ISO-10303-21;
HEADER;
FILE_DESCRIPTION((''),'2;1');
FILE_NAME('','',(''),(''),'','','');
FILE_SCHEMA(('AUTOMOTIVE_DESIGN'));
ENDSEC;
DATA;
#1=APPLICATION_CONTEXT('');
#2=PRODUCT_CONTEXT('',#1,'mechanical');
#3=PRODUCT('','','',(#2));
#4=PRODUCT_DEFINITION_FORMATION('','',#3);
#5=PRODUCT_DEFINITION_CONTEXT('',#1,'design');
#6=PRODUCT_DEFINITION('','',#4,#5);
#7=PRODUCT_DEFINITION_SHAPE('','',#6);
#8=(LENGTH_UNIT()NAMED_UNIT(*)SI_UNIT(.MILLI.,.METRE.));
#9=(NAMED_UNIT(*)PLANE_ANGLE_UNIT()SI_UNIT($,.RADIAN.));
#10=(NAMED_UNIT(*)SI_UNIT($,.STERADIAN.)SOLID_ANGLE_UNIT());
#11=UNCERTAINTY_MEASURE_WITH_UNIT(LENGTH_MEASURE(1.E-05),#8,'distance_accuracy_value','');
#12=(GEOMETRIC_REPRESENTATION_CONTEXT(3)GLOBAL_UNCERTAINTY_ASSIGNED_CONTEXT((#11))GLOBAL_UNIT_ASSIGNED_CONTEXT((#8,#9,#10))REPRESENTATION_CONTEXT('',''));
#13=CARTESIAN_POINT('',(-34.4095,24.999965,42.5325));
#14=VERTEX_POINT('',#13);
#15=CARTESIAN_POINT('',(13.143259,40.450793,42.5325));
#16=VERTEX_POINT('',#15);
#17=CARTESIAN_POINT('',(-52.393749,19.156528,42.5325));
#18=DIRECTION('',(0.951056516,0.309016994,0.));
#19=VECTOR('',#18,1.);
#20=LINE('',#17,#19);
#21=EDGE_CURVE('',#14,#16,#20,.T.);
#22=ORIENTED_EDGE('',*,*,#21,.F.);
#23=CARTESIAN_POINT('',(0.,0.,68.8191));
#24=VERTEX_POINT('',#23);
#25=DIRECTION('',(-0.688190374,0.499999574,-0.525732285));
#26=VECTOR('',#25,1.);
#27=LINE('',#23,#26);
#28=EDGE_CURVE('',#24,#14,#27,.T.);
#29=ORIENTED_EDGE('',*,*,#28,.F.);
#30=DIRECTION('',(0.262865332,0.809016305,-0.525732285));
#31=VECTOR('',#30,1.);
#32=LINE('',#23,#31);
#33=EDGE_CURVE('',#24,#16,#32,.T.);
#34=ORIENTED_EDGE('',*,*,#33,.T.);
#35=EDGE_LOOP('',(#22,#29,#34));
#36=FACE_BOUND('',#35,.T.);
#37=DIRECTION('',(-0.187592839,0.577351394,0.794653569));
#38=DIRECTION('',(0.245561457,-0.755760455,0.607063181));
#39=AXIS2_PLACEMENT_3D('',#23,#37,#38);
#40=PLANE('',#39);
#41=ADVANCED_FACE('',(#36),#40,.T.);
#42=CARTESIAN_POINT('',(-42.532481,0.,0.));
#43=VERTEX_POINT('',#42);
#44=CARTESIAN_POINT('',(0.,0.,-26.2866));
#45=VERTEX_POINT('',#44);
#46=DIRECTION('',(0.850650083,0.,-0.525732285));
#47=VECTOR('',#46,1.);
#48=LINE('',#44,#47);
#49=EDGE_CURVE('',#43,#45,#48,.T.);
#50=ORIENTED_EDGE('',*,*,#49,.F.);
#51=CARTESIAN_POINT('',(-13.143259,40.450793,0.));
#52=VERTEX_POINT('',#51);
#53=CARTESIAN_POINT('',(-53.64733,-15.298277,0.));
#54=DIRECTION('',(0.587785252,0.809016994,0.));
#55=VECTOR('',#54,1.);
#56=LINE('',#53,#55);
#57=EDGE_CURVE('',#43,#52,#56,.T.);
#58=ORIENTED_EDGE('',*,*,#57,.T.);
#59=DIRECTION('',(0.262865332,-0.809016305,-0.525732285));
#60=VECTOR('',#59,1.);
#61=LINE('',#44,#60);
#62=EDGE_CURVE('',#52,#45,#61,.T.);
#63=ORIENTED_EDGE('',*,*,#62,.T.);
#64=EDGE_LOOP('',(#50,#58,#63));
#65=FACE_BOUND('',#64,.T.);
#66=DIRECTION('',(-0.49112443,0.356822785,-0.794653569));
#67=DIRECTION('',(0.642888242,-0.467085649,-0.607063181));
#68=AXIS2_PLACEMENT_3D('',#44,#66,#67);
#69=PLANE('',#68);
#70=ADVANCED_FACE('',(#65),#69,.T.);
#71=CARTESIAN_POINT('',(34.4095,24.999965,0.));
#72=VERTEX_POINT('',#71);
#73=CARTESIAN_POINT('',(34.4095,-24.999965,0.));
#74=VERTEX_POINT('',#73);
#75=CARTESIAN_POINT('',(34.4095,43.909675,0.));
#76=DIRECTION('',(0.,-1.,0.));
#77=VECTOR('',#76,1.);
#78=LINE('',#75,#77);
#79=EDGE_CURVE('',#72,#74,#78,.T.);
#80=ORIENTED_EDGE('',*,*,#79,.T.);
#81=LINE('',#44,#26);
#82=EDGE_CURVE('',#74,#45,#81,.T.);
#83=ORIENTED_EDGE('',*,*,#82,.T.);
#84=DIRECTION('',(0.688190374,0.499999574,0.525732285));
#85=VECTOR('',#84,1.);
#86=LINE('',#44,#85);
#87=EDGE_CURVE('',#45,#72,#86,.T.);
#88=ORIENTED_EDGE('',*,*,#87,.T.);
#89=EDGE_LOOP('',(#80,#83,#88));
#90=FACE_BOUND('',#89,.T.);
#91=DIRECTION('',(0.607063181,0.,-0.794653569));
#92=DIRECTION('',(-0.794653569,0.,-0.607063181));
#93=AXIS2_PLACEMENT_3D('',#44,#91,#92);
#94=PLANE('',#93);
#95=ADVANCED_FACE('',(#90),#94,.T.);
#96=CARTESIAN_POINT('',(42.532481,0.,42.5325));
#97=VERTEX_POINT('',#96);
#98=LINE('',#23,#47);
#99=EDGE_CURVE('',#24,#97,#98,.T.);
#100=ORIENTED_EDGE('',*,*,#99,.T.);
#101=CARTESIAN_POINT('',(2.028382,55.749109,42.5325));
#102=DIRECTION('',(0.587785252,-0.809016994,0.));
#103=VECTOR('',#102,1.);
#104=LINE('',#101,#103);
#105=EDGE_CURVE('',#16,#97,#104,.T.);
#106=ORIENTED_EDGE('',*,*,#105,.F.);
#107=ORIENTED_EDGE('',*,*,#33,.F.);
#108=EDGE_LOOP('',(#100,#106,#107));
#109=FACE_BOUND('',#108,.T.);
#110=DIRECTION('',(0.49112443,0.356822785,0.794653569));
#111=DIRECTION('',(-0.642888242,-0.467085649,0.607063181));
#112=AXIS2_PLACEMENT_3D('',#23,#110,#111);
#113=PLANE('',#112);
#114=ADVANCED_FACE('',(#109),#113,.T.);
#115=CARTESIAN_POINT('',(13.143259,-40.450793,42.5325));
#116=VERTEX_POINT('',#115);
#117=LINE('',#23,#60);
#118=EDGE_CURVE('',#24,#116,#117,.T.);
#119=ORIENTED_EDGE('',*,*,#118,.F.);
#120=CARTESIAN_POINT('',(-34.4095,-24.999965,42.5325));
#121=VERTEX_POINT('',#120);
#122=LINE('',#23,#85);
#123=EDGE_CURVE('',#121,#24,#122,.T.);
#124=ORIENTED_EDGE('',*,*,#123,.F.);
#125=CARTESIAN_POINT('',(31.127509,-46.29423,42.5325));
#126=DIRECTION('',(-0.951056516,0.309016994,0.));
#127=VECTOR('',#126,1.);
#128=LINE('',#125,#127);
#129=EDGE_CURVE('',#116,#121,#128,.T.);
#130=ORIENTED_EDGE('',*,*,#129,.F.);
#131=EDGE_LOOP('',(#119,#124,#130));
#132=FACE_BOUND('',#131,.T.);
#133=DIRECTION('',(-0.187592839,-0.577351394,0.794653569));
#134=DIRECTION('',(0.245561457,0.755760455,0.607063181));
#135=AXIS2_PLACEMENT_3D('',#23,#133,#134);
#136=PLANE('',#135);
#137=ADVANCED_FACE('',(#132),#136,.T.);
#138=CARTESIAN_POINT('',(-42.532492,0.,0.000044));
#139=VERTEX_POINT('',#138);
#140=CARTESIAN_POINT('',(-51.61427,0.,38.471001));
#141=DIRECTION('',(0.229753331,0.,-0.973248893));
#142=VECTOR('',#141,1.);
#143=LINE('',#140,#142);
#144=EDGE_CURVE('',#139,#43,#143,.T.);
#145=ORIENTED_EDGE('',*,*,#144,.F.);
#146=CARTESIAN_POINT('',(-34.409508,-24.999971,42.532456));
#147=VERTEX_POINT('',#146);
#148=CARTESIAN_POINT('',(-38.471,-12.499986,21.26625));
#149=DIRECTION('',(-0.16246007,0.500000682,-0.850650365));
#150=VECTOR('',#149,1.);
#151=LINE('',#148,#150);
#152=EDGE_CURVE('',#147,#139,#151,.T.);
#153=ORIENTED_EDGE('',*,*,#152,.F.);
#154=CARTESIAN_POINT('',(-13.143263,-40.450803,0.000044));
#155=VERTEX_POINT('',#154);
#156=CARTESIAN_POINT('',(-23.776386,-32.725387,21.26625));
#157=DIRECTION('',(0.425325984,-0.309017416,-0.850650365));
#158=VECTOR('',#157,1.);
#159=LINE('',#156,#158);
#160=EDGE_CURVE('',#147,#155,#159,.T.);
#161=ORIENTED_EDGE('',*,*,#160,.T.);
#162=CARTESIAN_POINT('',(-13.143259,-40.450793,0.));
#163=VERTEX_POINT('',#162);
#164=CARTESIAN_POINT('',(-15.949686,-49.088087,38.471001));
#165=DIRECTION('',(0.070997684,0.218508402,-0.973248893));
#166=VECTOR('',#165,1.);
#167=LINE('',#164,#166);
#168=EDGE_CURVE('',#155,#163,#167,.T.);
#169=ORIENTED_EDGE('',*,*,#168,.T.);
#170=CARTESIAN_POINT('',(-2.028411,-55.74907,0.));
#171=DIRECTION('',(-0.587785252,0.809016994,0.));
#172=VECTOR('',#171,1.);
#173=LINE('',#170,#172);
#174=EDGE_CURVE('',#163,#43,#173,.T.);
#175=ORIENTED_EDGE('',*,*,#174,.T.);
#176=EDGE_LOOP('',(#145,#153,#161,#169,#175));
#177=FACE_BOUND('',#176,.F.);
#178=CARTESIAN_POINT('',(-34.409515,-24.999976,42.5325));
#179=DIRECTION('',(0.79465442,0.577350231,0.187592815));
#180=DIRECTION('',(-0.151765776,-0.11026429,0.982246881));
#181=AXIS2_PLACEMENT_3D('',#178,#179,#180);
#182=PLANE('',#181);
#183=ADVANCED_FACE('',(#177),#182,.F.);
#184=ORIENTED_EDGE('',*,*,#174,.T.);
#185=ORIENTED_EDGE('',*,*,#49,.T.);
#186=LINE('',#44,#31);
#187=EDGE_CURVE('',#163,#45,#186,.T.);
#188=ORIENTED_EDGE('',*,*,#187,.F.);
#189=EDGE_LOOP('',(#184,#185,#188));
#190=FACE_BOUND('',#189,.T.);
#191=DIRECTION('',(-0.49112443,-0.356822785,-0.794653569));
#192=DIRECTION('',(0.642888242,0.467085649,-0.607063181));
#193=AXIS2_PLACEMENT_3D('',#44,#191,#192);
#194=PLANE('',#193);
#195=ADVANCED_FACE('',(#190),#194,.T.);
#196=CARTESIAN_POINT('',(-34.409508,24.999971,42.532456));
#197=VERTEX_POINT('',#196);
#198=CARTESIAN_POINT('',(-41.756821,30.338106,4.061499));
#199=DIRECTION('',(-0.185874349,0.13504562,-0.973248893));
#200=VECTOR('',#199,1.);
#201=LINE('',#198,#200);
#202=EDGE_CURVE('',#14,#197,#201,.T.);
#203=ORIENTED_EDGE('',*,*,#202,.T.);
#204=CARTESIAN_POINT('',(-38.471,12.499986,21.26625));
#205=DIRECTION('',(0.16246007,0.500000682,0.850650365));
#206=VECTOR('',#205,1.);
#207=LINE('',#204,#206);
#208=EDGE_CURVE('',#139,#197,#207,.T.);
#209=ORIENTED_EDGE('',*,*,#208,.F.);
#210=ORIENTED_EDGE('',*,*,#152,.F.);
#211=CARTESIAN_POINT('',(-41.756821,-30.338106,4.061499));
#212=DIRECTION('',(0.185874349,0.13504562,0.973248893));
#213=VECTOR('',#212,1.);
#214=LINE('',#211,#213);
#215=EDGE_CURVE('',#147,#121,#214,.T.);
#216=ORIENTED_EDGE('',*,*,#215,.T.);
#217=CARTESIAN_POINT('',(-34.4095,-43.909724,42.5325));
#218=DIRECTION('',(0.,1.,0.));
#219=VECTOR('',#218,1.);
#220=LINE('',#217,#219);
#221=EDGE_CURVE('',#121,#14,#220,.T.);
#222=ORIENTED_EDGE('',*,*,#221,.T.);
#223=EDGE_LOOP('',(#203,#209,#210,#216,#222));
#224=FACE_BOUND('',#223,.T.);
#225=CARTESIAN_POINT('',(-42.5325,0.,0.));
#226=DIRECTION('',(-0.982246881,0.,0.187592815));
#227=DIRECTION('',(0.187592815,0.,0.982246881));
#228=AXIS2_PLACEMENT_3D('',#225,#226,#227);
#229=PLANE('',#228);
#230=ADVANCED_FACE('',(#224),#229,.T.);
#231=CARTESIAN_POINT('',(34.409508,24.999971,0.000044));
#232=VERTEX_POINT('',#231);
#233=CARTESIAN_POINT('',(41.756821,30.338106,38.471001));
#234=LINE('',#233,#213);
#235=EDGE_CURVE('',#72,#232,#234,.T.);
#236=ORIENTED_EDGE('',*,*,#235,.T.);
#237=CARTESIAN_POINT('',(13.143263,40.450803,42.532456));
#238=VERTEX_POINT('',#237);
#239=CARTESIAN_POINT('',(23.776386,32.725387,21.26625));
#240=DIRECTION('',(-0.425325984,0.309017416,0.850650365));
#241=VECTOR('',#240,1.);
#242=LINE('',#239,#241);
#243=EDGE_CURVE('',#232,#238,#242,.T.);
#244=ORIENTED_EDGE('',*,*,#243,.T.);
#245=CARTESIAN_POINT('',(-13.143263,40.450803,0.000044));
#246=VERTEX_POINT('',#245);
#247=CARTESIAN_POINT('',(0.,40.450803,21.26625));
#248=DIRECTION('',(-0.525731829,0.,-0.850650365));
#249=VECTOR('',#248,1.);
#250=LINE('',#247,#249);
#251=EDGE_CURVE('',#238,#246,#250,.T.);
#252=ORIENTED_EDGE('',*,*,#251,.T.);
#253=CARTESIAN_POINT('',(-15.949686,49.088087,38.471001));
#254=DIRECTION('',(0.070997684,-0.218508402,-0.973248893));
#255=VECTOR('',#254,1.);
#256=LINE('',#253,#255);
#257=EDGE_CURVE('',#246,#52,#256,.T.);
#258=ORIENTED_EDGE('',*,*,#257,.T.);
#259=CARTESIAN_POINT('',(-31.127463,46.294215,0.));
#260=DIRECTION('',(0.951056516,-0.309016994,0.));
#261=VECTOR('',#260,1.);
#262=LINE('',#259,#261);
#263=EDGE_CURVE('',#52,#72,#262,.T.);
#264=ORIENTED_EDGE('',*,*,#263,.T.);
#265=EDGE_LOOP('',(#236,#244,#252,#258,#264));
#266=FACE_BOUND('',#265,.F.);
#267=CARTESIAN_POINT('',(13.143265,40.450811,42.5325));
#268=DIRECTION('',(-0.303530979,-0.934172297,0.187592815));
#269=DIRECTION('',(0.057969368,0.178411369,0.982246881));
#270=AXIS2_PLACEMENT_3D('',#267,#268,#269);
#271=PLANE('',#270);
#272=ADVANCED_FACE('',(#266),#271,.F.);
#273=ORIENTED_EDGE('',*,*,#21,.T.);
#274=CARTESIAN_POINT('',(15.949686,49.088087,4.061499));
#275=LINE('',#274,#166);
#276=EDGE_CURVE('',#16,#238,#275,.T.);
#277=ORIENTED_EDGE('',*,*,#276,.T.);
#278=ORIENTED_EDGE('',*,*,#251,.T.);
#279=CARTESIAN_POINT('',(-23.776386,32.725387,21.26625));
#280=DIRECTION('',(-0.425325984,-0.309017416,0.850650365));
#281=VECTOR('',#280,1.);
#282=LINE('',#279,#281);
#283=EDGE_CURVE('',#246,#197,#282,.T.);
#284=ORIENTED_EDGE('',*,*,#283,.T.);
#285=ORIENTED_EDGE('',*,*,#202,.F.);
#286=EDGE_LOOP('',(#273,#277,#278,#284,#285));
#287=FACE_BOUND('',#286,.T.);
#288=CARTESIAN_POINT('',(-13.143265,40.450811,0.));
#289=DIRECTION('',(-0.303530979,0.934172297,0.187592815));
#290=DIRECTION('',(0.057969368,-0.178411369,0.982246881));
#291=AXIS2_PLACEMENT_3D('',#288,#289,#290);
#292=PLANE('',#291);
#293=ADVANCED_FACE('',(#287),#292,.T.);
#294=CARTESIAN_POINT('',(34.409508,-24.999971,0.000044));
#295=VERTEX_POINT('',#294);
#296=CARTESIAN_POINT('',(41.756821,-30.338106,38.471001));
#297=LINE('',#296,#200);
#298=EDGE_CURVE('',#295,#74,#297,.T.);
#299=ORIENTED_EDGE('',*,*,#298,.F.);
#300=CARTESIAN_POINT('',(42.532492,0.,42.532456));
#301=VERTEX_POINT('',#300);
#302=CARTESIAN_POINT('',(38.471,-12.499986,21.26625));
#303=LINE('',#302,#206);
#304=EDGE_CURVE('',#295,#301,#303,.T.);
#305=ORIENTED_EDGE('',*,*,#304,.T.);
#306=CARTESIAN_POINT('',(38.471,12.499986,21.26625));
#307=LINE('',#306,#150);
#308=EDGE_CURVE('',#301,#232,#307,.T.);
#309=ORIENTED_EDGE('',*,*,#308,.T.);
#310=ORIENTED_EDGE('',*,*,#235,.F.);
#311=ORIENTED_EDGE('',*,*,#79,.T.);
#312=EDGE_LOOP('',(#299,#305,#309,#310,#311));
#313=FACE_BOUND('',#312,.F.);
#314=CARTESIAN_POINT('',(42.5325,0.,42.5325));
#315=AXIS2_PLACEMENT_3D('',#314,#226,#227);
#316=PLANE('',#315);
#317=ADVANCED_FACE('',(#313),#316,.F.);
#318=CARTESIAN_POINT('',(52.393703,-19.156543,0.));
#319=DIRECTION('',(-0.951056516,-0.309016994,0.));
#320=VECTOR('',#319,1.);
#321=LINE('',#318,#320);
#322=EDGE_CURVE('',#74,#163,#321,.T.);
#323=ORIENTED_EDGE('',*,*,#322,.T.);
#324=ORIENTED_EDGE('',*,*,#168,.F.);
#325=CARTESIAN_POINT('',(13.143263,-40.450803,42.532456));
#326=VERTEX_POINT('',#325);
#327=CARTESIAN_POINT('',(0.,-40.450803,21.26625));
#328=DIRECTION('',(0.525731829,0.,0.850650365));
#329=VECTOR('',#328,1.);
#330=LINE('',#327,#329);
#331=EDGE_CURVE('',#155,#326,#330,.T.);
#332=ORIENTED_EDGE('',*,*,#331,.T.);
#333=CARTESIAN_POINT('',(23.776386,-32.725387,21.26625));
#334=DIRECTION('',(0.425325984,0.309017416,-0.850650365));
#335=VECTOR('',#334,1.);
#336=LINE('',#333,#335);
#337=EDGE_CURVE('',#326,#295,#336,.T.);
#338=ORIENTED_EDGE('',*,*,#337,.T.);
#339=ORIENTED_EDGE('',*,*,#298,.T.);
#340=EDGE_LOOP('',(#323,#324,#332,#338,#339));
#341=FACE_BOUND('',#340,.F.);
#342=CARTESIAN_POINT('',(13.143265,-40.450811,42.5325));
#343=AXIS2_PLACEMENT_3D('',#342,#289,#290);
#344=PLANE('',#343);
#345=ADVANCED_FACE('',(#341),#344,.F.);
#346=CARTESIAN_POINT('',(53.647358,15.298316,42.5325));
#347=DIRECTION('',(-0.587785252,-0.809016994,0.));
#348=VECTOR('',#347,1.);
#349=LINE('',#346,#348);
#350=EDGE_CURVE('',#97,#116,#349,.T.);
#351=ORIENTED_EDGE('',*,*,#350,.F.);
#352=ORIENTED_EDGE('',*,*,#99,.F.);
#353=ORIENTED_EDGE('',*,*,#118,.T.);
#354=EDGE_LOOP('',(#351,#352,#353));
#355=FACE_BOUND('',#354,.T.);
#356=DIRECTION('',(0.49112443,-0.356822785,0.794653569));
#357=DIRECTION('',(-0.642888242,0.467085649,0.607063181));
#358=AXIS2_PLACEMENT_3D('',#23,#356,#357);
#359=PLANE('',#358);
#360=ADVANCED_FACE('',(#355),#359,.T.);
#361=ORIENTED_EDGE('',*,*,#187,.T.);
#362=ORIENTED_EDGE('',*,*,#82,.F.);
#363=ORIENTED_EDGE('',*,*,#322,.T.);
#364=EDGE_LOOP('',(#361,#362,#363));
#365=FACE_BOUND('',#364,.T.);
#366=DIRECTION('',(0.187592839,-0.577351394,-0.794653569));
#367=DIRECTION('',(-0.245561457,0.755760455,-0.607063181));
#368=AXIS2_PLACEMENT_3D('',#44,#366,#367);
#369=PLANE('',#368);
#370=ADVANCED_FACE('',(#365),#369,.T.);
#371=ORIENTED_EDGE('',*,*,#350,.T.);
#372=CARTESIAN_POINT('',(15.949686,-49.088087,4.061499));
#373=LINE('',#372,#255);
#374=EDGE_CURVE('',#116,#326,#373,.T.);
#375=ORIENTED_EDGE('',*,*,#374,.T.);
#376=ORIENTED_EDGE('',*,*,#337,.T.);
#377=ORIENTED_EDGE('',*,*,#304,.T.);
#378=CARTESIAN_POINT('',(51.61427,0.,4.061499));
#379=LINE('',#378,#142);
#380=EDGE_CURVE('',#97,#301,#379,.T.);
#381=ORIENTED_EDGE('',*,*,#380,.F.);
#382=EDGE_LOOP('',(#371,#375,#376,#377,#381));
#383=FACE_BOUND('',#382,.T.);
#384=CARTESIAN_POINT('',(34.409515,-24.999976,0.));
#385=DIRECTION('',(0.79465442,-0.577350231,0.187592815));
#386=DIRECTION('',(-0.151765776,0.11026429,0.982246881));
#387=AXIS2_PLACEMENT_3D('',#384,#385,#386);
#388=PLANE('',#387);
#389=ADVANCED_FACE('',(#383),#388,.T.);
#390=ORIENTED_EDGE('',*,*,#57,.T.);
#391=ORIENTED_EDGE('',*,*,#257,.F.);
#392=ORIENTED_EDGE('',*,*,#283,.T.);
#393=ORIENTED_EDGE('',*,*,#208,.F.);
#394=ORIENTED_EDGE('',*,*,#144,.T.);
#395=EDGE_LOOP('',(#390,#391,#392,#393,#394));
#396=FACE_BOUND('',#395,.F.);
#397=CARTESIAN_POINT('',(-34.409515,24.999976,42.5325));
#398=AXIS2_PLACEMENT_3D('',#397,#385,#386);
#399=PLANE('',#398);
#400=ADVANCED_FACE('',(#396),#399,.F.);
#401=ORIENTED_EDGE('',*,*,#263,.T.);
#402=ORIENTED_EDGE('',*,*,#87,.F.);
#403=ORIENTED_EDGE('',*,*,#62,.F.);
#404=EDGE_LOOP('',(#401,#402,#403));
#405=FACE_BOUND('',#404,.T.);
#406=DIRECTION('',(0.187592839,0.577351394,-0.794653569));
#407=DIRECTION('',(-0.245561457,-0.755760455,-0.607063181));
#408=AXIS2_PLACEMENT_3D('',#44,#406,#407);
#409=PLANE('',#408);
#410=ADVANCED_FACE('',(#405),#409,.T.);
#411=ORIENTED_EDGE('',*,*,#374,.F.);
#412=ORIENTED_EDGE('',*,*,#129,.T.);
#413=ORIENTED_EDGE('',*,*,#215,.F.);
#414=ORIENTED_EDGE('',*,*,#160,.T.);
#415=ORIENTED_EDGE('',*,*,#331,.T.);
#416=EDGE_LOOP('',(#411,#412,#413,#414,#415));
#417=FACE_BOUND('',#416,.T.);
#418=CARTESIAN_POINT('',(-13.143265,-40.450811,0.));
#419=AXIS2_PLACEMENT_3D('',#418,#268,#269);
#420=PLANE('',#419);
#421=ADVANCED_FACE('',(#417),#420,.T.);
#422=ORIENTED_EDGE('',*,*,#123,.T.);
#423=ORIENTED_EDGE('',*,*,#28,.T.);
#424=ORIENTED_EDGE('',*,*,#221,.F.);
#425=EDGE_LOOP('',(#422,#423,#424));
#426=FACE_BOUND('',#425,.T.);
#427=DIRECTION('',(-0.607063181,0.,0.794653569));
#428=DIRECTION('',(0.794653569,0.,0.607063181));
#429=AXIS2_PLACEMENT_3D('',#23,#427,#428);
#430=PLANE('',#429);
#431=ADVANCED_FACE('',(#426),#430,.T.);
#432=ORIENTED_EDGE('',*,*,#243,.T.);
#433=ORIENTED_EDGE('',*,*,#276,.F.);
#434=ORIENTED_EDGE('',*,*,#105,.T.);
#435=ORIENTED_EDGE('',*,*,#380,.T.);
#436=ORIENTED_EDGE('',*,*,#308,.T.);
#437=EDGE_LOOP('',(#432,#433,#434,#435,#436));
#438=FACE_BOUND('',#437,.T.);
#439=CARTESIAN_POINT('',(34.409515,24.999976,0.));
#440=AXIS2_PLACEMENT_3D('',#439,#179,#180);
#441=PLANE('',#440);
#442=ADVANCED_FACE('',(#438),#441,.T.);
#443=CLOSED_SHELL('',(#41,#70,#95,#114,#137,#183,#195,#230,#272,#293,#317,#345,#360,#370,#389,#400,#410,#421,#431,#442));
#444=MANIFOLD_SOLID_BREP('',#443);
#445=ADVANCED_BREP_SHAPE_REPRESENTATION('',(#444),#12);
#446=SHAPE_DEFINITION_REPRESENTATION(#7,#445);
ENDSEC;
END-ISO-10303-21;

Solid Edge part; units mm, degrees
sketch "Sketch1" plane through (0, 0, 0) normal (0, -1, 0) x (1, 0, 0)
  arc A0 (0, 80.9682) -> (0, -38.4357) centre (0, 21.2663) ccw
  line L0 (0, 80.9682) -> (0, -38.4357)
revolve "RevolvedProtrusion1" add sketch "Sketch1" angle 360 about axis through (0, 0, 80.9682) along (0, 0, -1)
sketch "Sketch2" plane through (0, 0, 0) normal (0, -1, 0) x (1, 0, 0)
  line L0 (0, -26.2866) -> (34.4095, 0)
  line L1 (42.5325, 42.5325) -> (34.4095, 0)
extrude "Cutout1" cut sketch "Sketch2" along normal up to next and the other way up to next material side at (17.2351, 0, -13.183)
sketch "Sketch3" plane through (0, 0, 0) normal (0, -1, 0) x (1, 0, 0)
  line L0 (-42.5325, 0) -> (-34.4095, 42.5325)
  line L1 (-34.4095, 42.5325) -> (0, 68.8191)
extrude "Cutout2" cut sketch "Sketch3" along normal up to next and the other way up to next material side at (-38.5201, 0, 21.2756)
pattern_circular "Pattern1" count 5 over 360 about axis through (0, 0, 0) along (0, 0, -1) of "Cutout1", "Cutout2"
